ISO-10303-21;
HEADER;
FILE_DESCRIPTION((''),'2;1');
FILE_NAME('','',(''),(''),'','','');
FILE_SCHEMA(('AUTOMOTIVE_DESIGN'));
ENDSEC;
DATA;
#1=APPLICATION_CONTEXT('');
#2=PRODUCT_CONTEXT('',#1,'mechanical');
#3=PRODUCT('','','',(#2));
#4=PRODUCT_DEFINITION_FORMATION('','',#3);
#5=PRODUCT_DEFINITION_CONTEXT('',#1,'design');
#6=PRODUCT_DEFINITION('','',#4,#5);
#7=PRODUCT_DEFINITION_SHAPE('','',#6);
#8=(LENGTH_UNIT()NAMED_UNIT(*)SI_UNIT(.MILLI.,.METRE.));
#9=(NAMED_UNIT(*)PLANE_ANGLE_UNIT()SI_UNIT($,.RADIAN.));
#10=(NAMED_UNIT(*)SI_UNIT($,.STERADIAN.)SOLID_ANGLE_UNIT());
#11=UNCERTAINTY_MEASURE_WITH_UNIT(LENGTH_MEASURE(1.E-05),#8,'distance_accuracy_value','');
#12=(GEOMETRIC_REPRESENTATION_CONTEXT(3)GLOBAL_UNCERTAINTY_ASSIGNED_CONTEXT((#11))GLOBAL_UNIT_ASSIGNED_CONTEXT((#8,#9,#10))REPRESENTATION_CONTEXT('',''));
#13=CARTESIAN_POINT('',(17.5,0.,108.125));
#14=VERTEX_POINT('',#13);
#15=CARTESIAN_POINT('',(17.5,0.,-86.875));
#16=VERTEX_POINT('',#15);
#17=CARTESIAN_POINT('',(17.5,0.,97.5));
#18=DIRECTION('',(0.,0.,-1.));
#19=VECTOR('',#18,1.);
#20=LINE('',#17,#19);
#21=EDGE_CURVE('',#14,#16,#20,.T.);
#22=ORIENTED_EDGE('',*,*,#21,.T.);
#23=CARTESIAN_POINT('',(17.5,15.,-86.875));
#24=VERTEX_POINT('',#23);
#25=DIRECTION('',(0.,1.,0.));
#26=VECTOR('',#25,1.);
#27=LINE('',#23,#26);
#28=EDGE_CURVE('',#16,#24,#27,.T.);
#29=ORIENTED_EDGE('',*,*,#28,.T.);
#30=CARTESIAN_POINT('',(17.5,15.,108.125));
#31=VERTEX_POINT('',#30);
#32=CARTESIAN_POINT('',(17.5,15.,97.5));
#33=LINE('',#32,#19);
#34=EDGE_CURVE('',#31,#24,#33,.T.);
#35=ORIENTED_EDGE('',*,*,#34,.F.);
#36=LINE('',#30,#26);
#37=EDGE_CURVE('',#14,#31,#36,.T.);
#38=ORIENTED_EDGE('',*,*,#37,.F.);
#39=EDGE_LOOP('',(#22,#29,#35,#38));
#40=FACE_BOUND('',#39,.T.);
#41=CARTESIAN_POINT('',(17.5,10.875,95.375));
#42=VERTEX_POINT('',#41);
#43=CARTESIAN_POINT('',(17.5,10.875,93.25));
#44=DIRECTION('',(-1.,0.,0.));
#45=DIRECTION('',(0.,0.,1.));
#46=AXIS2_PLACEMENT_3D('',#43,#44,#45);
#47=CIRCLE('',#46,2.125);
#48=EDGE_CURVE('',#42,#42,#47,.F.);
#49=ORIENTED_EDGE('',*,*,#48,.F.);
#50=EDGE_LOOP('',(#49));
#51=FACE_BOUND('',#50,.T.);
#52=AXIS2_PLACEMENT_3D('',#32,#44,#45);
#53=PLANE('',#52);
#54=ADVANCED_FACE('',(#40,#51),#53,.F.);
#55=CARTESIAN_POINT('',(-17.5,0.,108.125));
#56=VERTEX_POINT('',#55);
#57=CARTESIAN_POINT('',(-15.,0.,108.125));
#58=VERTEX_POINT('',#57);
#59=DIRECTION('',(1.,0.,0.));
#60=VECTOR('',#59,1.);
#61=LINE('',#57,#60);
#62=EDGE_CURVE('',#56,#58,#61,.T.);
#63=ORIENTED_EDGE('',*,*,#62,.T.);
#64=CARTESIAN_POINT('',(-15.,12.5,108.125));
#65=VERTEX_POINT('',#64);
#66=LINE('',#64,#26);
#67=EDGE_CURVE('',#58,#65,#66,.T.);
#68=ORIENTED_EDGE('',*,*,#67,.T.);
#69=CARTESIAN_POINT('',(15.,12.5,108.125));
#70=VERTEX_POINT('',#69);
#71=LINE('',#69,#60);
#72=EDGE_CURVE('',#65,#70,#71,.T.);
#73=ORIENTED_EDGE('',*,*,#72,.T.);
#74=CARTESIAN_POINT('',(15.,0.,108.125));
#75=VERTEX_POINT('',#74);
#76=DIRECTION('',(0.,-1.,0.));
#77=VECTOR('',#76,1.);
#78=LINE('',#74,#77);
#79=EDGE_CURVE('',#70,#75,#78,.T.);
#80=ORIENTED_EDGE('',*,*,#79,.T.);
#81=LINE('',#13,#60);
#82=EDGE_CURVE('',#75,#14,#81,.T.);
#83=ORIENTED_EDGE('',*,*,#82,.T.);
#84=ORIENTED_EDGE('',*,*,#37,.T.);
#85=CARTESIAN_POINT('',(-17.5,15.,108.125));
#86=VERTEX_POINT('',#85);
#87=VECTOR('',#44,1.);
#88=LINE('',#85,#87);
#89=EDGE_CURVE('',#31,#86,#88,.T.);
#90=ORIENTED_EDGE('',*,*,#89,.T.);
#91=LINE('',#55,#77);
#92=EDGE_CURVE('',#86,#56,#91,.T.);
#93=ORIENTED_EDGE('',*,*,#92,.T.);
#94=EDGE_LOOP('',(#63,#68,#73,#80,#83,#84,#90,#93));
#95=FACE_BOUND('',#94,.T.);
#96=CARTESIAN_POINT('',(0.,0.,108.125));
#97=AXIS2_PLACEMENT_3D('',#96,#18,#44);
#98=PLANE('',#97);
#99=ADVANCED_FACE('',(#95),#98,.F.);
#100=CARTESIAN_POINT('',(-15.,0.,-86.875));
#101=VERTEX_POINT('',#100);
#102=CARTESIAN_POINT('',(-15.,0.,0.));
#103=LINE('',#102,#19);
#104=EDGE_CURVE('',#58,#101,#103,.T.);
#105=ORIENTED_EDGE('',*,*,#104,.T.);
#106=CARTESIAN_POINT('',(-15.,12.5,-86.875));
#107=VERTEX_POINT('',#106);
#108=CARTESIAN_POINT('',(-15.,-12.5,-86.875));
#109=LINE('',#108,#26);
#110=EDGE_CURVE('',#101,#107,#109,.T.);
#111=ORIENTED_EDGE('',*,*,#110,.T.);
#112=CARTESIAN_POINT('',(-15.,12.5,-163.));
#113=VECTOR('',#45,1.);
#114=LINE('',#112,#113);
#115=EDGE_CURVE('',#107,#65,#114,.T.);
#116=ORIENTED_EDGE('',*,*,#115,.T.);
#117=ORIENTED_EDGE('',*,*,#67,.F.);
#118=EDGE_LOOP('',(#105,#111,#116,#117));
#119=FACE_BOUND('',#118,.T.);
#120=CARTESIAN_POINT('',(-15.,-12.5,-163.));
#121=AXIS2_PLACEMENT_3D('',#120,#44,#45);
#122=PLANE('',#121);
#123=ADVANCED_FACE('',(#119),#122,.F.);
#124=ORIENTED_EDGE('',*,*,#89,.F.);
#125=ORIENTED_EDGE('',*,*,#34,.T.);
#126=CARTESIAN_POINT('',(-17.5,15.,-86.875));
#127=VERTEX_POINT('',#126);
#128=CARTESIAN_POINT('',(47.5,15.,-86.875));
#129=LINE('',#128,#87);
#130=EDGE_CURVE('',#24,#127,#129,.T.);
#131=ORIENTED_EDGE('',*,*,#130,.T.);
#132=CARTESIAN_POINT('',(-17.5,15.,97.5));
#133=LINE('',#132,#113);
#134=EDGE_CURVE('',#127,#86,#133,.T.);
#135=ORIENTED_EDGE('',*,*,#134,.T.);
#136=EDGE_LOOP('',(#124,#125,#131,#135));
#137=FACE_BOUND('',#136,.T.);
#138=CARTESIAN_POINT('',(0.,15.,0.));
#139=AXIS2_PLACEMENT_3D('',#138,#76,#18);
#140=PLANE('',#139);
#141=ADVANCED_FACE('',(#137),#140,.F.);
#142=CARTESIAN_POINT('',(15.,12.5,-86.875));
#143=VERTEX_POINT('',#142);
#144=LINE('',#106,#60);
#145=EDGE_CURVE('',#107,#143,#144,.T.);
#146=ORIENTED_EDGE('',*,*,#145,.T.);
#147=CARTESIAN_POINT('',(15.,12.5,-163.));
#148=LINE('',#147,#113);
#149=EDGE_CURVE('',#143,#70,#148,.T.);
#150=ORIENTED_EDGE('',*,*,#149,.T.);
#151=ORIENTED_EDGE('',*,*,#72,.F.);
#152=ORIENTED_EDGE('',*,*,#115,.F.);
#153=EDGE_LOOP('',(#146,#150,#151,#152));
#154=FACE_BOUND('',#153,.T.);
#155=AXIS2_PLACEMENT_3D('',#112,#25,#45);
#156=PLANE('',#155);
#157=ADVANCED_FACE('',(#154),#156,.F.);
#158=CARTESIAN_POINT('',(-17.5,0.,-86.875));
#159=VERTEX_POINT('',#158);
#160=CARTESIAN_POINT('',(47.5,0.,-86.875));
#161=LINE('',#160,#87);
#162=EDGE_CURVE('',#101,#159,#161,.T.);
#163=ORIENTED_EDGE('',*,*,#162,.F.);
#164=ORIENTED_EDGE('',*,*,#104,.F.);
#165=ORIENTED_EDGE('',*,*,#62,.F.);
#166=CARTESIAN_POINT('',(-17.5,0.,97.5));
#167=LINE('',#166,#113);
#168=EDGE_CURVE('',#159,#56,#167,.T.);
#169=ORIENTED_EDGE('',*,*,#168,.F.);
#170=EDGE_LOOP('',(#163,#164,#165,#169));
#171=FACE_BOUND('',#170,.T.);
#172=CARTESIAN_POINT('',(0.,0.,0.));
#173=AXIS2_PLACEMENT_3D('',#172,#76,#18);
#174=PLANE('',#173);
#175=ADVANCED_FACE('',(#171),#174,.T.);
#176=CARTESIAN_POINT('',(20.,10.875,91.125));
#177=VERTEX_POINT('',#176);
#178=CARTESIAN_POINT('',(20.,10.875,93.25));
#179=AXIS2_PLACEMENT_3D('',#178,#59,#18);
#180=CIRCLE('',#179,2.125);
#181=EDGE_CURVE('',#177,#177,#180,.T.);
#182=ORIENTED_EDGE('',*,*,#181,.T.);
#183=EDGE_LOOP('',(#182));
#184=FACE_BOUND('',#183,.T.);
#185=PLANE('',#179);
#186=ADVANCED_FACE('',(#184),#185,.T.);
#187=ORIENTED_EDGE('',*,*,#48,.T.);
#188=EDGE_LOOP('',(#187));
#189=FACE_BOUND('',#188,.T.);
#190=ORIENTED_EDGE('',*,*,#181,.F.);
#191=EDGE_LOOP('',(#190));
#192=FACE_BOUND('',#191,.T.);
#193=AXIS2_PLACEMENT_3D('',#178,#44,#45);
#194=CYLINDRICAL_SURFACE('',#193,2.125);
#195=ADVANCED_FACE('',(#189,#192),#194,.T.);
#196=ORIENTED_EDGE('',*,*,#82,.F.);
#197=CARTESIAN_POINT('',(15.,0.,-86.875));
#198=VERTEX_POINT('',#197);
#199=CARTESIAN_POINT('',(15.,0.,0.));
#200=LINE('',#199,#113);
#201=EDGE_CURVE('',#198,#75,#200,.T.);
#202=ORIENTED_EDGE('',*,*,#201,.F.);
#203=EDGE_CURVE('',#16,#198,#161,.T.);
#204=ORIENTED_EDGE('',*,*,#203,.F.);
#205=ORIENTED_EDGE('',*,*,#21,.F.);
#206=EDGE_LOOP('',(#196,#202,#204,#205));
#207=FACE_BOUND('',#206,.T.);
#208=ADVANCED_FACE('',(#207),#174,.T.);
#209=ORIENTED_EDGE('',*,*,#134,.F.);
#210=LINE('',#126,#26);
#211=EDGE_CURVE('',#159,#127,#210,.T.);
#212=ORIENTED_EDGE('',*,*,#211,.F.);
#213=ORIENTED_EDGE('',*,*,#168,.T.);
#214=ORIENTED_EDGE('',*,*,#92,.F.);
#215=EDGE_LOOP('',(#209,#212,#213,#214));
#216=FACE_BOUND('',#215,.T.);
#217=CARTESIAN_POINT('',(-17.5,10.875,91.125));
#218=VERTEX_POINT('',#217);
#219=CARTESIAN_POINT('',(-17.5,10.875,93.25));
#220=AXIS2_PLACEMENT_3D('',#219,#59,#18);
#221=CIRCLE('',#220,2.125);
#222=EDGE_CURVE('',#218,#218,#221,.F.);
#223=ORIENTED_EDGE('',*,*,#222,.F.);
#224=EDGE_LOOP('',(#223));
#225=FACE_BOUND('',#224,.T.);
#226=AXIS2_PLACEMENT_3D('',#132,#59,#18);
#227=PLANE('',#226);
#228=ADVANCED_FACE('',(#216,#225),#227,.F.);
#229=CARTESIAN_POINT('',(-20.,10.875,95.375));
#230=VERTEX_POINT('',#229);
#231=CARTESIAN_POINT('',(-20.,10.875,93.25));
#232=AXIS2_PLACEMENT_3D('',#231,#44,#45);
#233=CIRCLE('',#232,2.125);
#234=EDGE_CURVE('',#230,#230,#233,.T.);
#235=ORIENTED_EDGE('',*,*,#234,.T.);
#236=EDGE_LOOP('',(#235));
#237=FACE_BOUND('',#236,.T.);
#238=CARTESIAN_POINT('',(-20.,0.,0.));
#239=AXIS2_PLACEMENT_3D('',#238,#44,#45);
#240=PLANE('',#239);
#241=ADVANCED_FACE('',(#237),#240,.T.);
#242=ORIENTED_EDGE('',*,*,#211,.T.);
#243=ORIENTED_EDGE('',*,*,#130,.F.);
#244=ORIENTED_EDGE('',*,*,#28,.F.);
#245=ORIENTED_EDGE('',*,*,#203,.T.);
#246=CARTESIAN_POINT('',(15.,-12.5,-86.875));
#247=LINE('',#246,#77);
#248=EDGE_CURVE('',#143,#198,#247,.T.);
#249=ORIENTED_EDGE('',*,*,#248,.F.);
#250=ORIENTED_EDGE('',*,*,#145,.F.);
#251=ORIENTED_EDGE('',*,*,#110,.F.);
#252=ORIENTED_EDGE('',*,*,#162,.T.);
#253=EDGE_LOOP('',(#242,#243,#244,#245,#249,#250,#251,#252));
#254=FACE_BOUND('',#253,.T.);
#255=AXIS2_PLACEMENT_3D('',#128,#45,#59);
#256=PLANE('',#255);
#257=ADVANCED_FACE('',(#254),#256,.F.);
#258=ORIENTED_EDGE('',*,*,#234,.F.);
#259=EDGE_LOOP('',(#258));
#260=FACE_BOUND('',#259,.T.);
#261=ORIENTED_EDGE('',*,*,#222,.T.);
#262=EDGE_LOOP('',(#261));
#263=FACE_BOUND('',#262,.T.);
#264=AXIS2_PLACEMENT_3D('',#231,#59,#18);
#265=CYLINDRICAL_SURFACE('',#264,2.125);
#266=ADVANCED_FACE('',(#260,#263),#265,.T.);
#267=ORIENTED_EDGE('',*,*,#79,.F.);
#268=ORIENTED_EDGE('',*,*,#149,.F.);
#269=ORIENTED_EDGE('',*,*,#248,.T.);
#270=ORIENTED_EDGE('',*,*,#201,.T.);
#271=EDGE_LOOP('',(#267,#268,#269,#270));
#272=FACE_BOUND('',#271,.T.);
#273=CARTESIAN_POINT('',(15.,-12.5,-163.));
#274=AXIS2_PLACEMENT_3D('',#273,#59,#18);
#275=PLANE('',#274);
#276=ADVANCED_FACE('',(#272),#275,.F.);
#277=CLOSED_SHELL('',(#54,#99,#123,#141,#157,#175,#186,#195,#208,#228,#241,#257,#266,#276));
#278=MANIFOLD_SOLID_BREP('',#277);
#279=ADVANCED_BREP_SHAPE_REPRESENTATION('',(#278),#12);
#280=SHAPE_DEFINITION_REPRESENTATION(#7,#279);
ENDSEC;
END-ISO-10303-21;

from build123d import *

# Parameters (mm, degrees)
SKETCH1_W           = 35
SKETCH1_H           = 195
BOSS_EXTRUDE1_DEPTH = 15
BOSS_EXTRUDE2_DEPTH = 2.5
BOSS_EXTRUDE3_START = 2.5
SKETCH3_R           = 2.125
BOSS_EXTRUDE3_DEPTH = 2.5
SKETCH4_W           = 30
SKETCH4_H           = 25
CUT_EXTRUDE1_DEPTH  = 260.5
SKETCH5_W           = 10.625
SKETCH5_H           = 15
CUT_EXTRUDE2_DEPTH  = 65
BOSS_EXTRUDE4_DEPTH = 10.625


with BuildPart() as part:
    # Sketch1 → Boss-Extrude1 (new body)
    with BuildSketch(Plane(origin=(0, 0, 0), x_dir=(1, 0, 0), z_dir=(0, 1, 0))):
        Rectangle(SKETCH1_W, SKETCH1_H)
    extrude(amount=BOSS_EXTRUDE1_DEPTH)

    # Sketch2 → Boss-Extrude2 (add)
    with BuildSketch(Plane.ZY.offset(17.5)):
        with BuildLine():
            ThreePointArc((95.375, 10.875), (94.75260191, 12.37760191), (93.25, 13))
            ThreePointArc((93.25, 13), (91.125, 10.875), (93.25, 8.75))
            ThreePointArc((93.25, 8.75), (94.75260191, 9.37239809), (95.375, 10.875))
        make_face()
    extrude(amount=BOSS_EXTRUDE2_DEPTH)

    # Sketch3 → Boss-Extrude3 (add)
    with BuildSketch(Plane(origin=(17.5, 0, 0), x_dir=(0, 0, -1), z_dir=(1, 0, 0)).offset(BOSS_EXTRUDE3_START)):
        with Locations((-93.25, 10.875)):
            Circle(SKETCH3_R)
    extrude(amount=-BOSS_EXTRUDE3_DEPTH)

    # Sketch4 → Cut-Extrude1 (cut)
    with BuildSketch(Plane.XY.offset(97.5)):
        Rectangle(SKETCH4_W, SKETCH4_H)
    extrude(amount=-CUT_EXTRUDE1_DEPTH, mode=Mode.SUBTRACT)

    # Sketch5 → Cut-Extrude2 (cut)
    with BuildSketch(Plane.ZY.offset(17.5)):
        with Locations((-92.1875, 7.5)):
            Rectangle(SKETCH5_W, SKETCH5_H)
    extrude(amount=-CUT_EXTRUDE2_DEPTH, mode=Mode.SUBTRACT)

    # Sketch6 → Boss-Extrude4 (add)
    with BuildSketch(Plane.XY.offset(97.5)):
        Polygon((-17.5, 15), (17.5, 15), (17.5, 0), (15, 0), (15, 12.5), (-15, 12.5), (-15, 0), (-17.5, 0), align=None)
    extrude(amount=BOSS_EXTRUDE4_DEPTH)


solid = part.part
